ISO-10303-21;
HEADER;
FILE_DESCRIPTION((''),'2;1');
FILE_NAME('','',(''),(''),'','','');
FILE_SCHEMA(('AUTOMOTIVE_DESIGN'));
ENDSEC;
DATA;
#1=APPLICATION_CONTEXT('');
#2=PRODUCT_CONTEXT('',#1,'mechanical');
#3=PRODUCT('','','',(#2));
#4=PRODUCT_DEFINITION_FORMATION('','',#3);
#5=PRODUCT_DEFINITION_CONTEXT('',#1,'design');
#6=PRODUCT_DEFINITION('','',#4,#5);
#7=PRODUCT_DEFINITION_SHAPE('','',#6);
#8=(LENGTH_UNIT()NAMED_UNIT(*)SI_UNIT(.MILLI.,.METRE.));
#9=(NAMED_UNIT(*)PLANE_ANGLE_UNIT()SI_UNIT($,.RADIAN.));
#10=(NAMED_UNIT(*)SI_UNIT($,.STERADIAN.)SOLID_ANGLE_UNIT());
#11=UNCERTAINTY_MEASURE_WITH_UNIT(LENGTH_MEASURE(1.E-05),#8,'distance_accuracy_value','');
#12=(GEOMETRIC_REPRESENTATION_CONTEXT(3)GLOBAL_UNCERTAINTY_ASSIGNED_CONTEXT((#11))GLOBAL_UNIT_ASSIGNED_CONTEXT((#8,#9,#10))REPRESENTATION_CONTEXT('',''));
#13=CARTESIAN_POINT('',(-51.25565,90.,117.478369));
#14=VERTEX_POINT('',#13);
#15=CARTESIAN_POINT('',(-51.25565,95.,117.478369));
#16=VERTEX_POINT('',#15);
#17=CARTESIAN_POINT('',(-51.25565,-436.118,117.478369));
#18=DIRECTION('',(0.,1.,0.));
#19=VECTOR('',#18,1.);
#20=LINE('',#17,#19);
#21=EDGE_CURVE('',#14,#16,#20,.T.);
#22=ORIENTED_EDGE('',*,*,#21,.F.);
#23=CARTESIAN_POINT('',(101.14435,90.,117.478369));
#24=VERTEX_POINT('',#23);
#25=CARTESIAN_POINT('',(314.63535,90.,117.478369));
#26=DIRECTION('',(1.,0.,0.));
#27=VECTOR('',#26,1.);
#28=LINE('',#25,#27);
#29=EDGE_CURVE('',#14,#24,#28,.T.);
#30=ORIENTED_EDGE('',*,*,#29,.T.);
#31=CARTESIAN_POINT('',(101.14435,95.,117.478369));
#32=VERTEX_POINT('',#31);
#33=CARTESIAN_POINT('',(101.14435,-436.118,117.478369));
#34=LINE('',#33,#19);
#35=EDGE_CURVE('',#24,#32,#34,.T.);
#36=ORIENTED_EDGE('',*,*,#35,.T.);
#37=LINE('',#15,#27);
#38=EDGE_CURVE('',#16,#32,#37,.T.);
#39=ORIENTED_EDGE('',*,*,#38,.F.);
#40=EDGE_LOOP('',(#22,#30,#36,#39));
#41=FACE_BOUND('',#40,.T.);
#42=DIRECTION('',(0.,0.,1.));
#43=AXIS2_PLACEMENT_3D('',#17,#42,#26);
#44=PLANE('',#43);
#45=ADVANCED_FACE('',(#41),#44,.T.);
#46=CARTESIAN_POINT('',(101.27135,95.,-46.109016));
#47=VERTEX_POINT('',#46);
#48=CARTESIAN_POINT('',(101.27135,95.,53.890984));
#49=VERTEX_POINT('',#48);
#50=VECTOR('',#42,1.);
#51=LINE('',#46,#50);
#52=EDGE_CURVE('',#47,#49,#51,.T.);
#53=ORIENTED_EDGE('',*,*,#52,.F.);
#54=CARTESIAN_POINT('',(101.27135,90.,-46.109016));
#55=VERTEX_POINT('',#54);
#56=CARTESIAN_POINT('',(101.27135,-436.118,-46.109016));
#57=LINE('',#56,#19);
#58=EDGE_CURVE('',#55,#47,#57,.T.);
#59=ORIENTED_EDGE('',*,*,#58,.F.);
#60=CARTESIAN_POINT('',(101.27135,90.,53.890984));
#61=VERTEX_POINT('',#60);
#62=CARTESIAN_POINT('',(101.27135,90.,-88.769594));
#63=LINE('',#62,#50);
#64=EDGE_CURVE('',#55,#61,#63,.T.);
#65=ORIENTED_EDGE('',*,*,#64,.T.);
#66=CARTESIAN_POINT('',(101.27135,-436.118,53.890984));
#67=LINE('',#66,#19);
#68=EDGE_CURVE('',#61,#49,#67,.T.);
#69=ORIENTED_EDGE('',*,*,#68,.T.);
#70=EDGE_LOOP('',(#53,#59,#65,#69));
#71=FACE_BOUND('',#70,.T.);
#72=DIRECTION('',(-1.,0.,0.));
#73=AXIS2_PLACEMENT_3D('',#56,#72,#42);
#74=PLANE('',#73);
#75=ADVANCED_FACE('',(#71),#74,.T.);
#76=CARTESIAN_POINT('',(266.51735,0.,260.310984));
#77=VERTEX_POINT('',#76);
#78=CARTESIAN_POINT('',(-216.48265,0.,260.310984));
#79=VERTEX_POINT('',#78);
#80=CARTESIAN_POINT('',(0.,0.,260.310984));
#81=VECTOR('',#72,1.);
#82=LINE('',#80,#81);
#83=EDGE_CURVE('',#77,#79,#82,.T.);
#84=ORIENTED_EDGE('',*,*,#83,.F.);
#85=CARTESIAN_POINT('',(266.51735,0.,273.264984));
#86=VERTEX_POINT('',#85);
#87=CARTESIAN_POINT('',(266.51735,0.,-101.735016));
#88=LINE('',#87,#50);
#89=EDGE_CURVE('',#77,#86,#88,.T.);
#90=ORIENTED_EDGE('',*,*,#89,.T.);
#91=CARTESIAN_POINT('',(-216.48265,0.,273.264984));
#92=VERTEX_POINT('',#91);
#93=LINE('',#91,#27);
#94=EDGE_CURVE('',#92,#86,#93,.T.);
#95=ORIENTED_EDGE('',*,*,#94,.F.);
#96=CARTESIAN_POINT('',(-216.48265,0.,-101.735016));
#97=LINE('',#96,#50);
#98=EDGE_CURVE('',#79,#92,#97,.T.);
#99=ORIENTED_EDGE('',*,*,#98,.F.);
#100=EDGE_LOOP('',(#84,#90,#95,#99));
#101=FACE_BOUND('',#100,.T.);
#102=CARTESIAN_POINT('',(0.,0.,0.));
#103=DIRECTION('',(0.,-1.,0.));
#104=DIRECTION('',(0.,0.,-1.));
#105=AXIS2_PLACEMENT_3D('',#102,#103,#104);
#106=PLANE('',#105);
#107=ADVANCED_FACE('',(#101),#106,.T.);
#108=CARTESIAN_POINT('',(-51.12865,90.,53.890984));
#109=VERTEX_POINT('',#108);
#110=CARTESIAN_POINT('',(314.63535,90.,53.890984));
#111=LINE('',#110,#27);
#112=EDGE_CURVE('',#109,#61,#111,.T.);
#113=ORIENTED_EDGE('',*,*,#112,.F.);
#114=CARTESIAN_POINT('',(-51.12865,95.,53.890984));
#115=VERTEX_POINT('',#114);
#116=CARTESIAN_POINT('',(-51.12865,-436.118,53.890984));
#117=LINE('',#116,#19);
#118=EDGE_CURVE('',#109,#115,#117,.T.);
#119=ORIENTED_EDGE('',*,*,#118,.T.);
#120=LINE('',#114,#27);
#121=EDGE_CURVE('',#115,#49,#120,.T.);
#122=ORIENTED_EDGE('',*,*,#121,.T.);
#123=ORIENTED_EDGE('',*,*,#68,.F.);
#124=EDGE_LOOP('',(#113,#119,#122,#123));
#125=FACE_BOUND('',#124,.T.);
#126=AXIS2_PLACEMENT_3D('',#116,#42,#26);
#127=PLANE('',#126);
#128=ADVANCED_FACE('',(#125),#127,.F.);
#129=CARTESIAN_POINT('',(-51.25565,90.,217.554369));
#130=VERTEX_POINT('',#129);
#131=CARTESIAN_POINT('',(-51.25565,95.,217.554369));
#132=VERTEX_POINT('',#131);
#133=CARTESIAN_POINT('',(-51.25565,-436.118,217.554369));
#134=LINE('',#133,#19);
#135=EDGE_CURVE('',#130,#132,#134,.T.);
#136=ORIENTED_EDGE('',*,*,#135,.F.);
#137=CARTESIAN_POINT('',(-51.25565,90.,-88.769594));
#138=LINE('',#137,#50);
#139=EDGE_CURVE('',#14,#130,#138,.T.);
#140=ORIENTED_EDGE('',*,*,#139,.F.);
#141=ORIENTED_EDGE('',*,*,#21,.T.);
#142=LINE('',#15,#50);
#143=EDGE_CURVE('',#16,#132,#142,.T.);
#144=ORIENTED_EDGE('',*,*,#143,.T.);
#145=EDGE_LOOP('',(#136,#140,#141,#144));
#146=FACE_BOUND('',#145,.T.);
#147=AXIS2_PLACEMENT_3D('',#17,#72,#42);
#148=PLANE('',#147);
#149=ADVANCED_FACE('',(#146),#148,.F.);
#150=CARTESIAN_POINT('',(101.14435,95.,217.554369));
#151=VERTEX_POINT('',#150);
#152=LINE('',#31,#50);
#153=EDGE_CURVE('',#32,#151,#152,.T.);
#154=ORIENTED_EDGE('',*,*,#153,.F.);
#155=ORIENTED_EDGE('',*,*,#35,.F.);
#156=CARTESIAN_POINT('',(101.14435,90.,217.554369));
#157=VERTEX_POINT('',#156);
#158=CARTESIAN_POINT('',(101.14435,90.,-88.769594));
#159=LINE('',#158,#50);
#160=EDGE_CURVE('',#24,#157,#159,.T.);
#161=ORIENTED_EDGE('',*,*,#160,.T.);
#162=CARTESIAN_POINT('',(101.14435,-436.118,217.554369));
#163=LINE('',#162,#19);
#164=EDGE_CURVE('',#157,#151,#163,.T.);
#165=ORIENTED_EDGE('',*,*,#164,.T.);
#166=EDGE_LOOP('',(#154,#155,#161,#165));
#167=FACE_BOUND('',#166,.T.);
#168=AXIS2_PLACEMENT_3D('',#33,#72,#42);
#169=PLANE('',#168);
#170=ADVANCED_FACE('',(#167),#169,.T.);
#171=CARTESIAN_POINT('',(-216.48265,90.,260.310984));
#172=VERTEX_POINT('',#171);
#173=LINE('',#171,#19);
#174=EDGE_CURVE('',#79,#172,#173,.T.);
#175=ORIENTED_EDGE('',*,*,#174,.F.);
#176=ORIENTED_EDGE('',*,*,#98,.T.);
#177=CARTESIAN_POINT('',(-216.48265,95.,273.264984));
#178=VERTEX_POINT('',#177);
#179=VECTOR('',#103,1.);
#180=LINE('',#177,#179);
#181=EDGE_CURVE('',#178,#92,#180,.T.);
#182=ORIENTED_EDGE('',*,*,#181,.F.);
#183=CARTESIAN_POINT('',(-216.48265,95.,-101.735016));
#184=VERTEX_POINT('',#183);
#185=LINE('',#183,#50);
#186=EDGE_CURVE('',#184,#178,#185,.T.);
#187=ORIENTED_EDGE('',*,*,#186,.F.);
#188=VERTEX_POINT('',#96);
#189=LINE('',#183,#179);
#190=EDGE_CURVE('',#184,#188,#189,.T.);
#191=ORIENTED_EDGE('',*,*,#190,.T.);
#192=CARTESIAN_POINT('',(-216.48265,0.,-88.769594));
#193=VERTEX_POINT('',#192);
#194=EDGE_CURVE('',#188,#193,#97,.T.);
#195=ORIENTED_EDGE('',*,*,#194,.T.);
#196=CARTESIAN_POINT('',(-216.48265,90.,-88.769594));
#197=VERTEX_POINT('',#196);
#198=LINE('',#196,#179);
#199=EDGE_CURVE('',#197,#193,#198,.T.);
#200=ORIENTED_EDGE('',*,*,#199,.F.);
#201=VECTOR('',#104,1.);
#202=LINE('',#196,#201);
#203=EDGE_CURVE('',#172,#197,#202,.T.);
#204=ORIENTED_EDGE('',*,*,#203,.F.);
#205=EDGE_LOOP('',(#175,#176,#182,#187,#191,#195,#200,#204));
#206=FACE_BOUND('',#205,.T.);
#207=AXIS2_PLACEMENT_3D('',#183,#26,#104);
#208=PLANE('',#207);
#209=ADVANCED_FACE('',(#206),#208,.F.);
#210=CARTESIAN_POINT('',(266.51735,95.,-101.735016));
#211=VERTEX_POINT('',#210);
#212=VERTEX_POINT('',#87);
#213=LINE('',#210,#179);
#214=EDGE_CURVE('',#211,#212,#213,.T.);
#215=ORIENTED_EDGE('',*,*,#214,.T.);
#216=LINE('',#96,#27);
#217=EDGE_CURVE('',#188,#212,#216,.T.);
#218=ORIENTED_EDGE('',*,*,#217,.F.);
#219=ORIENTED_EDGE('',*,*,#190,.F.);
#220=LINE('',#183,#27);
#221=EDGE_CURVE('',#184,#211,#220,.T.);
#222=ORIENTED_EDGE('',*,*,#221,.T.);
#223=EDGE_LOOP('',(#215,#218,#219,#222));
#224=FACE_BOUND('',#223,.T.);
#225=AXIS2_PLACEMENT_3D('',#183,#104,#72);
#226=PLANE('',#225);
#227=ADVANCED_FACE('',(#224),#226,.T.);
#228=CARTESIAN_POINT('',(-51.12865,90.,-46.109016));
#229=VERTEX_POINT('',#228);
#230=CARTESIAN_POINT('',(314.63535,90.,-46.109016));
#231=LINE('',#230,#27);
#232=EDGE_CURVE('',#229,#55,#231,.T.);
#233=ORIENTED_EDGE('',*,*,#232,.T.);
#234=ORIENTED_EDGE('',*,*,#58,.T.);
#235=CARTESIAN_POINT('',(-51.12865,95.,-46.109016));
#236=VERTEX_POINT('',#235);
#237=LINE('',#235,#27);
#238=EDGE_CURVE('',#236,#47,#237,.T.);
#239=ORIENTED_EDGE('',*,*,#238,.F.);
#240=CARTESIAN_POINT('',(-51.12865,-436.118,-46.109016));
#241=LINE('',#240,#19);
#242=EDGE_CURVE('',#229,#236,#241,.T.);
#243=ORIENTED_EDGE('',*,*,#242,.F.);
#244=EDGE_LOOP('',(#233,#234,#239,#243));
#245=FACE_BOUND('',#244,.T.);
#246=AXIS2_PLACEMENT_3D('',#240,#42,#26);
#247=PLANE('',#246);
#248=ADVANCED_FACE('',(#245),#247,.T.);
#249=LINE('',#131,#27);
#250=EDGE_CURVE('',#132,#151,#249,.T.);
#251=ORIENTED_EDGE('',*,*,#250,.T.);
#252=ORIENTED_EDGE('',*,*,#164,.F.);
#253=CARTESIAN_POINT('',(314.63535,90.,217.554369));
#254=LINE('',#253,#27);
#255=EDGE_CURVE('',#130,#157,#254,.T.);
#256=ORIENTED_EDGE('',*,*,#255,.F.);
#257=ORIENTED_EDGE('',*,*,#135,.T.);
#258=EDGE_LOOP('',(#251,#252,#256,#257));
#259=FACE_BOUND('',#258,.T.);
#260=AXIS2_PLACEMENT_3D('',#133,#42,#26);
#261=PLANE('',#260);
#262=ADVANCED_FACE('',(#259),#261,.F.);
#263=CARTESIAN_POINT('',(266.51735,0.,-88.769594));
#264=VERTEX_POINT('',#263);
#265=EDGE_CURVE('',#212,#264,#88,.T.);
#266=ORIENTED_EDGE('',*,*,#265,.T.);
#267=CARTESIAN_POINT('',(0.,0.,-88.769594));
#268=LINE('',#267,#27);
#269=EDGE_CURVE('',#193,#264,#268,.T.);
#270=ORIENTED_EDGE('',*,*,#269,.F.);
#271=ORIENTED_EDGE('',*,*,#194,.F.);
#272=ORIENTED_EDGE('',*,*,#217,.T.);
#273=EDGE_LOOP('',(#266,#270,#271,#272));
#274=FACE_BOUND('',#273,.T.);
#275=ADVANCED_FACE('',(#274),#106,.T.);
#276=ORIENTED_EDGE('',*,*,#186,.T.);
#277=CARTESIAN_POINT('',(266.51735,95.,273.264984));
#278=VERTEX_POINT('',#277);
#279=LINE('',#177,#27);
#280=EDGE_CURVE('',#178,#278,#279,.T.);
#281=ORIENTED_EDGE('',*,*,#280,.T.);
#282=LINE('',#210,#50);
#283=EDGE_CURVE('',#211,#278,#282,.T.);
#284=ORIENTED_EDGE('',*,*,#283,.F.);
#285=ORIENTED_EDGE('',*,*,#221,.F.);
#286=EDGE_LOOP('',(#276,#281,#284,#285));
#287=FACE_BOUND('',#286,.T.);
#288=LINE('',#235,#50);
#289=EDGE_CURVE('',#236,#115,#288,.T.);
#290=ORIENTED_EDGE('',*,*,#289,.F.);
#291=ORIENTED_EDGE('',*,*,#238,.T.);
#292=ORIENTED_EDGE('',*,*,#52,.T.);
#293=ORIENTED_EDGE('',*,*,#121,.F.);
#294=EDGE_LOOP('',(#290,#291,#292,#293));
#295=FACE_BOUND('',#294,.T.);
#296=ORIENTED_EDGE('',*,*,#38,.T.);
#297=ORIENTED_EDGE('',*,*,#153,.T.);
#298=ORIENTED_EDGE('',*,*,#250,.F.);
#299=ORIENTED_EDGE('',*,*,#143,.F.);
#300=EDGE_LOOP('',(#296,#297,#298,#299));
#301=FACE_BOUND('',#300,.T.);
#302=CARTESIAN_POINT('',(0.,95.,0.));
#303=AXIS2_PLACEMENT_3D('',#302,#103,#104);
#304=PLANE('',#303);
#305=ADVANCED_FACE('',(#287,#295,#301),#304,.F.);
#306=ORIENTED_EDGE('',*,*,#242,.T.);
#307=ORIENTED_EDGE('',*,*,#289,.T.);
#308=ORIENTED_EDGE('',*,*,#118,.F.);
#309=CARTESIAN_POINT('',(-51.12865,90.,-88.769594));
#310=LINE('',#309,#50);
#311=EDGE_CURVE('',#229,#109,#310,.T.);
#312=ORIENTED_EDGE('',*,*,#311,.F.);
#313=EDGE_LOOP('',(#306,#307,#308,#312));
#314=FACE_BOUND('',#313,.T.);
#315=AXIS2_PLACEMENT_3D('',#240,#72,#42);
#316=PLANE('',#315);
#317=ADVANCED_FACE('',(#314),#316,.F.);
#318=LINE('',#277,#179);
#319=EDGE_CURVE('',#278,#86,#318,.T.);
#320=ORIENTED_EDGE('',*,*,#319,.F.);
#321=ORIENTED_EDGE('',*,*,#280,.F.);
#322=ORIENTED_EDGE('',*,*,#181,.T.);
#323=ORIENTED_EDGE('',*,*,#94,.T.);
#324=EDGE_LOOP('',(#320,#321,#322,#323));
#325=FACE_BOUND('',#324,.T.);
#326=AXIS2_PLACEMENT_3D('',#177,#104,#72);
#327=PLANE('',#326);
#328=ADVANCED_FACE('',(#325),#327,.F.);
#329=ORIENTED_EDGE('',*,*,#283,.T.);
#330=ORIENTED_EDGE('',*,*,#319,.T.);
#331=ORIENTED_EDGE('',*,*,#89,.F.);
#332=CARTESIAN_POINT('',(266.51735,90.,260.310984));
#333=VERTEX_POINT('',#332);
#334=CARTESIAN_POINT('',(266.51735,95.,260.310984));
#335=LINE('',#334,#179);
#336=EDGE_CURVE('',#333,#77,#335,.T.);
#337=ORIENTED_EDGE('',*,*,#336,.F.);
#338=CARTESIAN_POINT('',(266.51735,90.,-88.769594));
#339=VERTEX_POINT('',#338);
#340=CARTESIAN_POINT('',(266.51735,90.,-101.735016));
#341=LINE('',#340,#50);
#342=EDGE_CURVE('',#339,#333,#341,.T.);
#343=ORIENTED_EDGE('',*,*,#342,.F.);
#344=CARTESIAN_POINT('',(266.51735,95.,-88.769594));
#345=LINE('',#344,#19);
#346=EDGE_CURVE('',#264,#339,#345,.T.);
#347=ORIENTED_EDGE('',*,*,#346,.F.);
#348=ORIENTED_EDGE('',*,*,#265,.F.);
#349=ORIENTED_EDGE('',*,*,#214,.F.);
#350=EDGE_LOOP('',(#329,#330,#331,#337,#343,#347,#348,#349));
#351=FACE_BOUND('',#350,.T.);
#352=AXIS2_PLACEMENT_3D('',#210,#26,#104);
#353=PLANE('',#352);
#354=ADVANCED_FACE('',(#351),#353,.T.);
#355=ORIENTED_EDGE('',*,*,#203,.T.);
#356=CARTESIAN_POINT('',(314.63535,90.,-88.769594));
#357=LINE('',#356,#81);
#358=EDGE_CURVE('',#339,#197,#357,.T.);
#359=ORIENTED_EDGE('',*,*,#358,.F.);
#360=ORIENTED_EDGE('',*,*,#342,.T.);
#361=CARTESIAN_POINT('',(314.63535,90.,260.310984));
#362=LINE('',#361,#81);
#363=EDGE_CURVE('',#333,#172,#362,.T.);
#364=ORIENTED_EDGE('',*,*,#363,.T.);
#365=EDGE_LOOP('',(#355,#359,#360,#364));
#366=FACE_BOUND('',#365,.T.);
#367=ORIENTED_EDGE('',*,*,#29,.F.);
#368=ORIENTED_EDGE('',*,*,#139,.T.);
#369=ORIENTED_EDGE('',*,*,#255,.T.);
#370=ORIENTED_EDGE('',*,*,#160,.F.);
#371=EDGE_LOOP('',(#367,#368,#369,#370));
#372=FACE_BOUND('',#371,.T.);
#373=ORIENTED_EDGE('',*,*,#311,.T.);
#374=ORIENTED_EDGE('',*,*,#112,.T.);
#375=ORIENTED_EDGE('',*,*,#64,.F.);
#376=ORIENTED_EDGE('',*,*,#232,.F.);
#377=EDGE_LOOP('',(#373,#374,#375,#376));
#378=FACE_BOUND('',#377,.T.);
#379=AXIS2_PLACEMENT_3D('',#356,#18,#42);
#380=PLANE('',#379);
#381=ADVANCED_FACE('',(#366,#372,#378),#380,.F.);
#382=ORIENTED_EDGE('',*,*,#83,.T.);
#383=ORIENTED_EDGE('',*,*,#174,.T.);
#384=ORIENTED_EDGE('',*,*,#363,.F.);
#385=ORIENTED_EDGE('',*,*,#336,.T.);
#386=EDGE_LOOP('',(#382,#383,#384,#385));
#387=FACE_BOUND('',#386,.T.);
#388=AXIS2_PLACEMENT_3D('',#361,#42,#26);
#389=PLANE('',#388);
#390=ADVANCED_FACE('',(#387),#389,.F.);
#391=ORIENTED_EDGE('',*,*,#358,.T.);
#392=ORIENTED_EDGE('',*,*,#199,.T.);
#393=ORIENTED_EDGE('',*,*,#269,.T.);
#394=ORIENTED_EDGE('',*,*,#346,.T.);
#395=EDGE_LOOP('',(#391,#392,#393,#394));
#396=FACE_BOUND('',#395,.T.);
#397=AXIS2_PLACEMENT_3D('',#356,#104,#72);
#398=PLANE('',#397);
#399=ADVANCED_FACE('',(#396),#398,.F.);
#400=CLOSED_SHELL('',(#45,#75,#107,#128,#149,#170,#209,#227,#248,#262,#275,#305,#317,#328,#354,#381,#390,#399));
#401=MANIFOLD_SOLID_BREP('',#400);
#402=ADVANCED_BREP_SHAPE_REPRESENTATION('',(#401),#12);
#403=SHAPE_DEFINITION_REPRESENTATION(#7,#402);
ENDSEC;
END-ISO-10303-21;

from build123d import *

# Parameters (mm, degrees)
SKETCH1_W           = 483
SKETCH1_H           = 375
BOSS_EXTRUDE1_DEPTH = 95
SKETCH2_W           = 349.080578543
SKETCH2_H           = 90
CUT_EXTRUDE1_DEPTH  = 531.118
SKETCH3_W           = 152.4
SKETCH3_H           = 100
SKETCH3_H_2         = 100.076
CUT_EXTRUDE2_DEPTH  = 531.118


with BuildPart() as part:
    # Sketch1 → Boss-Extrude1 (new body)
    with BuildSketch(Plane(origin=(0, 0, 0), x_dir=(1, 0, 0), z_dir=(0, 1, 0))):
        with Locations((25.017350158, -85.764984227)):
            Rectangle(SKETCH1_W, SKETCH1_H)
    extrude(amount=BOSS_EXTRUDE1_DEPTH)

    # Sketch2 → Cut-Extrude1 (cut)
    with BuildSketch(Plane.ZY.offset(216.482649842)):
        with Locations((85.770694956, 45)):
            Rectangle(SKETCH2_W, SKETCH2_H)
    extrude(amount=-CUT_EXTRUDE1_DEPTH, mode=Mode.SUBTRACT)

    # Sketch3 → Cut-Extrude2 (cut)
    with BuildSketch(Plane(origin=(0, 95, 0), x_dir=(1, 0, 0), z_dir=(0, 1, 0))):
        with Locations((25.071350158, -3.890984227)):
            Rectangle(SKETCH3_W, SKETCH3_H)
        with Locations((24.944350158, -167.516369345)):
            Rectangle(SKETCH3_W, SKETCH3_H_2)
    extrude(amount=-CUT_EXTRUDE2_DEPTH, mode=Mode.SUBTRACT)


solid = part.part
